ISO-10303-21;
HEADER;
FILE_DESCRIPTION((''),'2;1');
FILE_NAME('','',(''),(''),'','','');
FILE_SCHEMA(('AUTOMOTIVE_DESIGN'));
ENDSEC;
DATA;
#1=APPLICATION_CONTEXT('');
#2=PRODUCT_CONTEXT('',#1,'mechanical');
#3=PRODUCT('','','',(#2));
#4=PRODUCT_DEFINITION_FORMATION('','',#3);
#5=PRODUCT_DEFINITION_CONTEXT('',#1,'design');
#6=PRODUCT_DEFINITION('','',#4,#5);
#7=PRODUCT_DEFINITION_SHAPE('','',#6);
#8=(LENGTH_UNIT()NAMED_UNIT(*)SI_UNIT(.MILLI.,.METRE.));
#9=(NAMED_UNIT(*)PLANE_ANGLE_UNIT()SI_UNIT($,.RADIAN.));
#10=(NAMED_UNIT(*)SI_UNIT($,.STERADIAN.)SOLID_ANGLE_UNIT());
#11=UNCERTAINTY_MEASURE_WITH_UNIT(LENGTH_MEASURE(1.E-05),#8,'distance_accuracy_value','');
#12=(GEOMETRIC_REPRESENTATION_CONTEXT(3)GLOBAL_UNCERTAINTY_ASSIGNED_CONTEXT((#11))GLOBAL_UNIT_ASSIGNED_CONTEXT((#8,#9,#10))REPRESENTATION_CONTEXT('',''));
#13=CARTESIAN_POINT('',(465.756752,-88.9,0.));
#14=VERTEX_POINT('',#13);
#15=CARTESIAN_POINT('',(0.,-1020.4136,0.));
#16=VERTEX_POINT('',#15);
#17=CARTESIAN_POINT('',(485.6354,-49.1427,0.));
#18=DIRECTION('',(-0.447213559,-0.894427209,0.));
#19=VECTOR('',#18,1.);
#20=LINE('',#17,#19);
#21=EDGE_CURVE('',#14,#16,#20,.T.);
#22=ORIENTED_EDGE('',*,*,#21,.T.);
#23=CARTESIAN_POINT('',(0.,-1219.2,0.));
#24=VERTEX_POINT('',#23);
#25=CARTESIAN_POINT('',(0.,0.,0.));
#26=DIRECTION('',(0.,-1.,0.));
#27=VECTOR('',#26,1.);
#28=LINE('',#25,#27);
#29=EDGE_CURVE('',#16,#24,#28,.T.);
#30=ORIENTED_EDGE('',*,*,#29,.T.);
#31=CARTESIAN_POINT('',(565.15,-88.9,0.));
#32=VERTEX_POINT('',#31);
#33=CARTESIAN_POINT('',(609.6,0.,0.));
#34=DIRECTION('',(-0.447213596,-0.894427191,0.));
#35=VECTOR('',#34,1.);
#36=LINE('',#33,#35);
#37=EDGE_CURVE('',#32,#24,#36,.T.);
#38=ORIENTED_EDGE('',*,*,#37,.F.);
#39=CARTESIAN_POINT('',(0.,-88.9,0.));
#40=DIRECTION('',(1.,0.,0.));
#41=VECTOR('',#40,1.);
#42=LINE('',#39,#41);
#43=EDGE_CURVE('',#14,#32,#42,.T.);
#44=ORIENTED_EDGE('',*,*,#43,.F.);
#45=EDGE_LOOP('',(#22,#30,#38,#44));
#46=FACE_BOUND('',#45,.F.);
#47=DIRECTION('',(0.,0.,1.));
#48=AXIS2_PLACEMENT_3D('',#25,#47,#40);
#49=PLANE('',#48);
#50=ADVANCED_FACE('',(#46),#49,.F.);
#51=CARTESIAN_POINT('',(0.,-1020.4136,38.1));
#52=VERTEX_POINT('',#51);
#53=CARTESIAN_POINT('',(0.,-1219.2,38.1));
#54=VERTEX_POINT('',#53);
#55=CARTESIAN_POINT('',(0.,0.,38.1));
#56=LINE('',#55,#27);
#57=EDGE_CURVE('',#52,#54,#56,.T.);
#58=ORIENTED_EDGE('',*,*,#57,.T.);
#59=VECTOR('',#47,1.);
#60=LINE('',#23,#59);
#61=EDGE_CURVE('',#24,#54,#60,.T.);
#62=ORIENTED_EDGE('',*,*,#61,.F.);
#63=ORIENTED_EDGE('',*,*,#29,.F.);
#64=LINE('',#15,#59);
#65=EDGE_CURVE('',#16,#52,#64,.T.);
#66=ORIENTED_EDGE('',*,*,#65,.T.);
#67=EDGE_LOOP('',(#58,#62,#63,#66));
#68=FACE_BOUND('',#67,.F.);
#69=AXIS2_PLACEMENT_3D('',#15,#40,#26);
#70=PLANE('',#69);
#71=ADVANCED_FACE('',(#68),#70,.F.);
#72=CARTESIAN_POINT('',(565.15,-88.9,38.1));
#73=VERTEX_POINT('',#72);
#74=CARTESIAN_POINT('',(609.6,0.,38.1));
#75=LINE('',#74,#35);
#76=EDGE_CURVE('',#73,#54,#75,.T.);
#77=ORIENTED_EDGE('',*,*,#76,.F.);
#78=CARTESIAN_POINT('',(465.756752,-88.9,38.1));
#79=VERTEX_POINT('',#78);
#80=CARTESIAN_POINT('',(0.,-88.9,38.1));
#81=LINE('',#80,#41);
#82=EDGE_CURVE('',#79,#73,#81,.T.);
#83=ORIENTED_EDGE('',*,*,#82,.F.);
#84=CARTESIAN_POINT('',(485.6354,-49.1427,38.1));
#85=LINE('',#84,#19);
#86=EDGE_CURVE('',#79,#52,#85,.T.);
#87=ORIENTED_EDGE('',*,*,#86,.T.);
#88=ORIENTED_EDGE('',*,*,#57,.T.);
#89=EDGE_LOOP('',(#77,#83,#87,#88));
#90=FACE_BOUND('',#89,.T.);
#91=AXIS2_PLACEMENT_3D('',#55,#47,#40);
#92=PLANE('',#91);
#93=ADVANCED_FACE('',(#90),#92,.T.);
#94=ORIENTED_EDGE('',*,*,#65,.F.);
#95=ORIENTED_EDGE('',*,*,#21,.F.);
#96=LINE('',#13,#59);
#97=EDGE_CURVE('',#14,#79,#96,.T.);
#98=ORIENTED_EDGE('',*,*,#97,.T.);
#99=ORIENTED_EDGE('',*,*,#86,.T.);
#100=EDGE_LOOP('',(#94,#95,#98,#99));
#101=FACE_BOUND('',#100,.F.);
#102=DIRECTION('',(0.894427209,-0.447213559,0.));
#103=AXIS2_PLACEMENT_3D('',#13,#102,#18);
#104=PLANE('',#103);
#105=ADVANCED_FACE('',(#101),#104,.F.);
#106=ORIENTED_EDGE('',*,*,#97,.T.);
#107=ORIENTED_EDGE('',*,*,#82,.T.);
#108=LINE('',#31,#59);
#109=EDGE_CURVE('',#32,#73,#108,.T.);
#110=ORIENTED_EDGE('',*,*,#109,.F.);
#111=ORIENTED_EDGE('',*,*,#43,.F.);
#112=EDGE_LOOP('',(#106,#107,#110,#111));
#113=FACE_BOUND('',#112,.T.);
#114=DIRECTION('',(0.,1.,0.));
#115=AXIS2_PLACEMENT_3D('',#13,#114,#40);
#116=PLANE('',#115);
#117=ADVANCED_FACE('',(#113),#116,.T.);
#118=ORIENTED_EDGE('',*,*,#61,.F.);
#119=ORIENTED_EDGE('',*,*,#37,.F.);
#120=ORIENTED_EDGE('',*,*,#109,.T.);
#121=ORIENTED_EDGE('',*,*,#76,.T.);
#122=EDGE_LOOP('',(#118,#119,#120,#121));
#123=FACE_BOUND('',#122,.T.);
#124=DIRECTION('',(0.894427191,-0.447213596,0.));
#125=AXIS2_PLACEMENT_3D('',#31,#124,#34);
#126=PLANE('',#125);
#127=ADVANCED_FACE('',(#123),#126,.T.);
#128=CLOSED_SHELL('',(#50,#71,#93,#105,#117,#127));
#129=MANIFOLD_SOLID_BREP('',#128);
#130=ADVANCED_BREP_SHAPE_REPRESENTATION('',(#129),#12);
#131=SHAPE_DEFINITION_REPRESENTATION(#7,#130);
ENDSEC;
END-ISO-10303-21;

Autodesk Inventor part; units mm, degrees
ref_plane "YZ Plane" through (0, 0, 0) normal (1, 0, 0) x (0, 1, 0)
ref_plane "XZ Plane" through (0, 0, 0) normal (0, 1, 0) x (-1, 0, 0)
ref_plane "XY Plane" through (0, 0, 0) normal (0, 0, 1) x (1, 0, 0)
sketch "Sketch1" plane through (0, 0, 0) normal (0, 0, 1) x (1, 0, 0)
  line L0 (0, 0) -> (0, -1219.2)
  line L1 (0, 0) -> (609.6, 0)
  line L2 (0, 0) -> (0, -88.9)
  line L3 (0, -88.9) -> (609.6, -88.9)
  line L4 (609.6, -88.9) -> (609.6, 0)
  line L5 (609.6, 0) -> (0, -1219.2)
  line L6 (565.15, -88.9) -> (485.6354, -49.1427)
  line L7 (485.6354, -49.1427) -> (0, -1020.4136)
  point P0 (0, -1020.4136)
  point P1 (465.7568, -88.9)
  dimension "d0" = 1219.2
  dimension "d1" = 609.6
  dimension "d2" = 88.9
  dimension "d8" = 609.6
  dimension "d9" = 88.9
  dimension "d10" = 90
extrude "Extrusion1" add sketch "Sketch1" along normal blind 38.1 contours L7 L3 L5 L0
properties part number "S_2x4x48.13"
